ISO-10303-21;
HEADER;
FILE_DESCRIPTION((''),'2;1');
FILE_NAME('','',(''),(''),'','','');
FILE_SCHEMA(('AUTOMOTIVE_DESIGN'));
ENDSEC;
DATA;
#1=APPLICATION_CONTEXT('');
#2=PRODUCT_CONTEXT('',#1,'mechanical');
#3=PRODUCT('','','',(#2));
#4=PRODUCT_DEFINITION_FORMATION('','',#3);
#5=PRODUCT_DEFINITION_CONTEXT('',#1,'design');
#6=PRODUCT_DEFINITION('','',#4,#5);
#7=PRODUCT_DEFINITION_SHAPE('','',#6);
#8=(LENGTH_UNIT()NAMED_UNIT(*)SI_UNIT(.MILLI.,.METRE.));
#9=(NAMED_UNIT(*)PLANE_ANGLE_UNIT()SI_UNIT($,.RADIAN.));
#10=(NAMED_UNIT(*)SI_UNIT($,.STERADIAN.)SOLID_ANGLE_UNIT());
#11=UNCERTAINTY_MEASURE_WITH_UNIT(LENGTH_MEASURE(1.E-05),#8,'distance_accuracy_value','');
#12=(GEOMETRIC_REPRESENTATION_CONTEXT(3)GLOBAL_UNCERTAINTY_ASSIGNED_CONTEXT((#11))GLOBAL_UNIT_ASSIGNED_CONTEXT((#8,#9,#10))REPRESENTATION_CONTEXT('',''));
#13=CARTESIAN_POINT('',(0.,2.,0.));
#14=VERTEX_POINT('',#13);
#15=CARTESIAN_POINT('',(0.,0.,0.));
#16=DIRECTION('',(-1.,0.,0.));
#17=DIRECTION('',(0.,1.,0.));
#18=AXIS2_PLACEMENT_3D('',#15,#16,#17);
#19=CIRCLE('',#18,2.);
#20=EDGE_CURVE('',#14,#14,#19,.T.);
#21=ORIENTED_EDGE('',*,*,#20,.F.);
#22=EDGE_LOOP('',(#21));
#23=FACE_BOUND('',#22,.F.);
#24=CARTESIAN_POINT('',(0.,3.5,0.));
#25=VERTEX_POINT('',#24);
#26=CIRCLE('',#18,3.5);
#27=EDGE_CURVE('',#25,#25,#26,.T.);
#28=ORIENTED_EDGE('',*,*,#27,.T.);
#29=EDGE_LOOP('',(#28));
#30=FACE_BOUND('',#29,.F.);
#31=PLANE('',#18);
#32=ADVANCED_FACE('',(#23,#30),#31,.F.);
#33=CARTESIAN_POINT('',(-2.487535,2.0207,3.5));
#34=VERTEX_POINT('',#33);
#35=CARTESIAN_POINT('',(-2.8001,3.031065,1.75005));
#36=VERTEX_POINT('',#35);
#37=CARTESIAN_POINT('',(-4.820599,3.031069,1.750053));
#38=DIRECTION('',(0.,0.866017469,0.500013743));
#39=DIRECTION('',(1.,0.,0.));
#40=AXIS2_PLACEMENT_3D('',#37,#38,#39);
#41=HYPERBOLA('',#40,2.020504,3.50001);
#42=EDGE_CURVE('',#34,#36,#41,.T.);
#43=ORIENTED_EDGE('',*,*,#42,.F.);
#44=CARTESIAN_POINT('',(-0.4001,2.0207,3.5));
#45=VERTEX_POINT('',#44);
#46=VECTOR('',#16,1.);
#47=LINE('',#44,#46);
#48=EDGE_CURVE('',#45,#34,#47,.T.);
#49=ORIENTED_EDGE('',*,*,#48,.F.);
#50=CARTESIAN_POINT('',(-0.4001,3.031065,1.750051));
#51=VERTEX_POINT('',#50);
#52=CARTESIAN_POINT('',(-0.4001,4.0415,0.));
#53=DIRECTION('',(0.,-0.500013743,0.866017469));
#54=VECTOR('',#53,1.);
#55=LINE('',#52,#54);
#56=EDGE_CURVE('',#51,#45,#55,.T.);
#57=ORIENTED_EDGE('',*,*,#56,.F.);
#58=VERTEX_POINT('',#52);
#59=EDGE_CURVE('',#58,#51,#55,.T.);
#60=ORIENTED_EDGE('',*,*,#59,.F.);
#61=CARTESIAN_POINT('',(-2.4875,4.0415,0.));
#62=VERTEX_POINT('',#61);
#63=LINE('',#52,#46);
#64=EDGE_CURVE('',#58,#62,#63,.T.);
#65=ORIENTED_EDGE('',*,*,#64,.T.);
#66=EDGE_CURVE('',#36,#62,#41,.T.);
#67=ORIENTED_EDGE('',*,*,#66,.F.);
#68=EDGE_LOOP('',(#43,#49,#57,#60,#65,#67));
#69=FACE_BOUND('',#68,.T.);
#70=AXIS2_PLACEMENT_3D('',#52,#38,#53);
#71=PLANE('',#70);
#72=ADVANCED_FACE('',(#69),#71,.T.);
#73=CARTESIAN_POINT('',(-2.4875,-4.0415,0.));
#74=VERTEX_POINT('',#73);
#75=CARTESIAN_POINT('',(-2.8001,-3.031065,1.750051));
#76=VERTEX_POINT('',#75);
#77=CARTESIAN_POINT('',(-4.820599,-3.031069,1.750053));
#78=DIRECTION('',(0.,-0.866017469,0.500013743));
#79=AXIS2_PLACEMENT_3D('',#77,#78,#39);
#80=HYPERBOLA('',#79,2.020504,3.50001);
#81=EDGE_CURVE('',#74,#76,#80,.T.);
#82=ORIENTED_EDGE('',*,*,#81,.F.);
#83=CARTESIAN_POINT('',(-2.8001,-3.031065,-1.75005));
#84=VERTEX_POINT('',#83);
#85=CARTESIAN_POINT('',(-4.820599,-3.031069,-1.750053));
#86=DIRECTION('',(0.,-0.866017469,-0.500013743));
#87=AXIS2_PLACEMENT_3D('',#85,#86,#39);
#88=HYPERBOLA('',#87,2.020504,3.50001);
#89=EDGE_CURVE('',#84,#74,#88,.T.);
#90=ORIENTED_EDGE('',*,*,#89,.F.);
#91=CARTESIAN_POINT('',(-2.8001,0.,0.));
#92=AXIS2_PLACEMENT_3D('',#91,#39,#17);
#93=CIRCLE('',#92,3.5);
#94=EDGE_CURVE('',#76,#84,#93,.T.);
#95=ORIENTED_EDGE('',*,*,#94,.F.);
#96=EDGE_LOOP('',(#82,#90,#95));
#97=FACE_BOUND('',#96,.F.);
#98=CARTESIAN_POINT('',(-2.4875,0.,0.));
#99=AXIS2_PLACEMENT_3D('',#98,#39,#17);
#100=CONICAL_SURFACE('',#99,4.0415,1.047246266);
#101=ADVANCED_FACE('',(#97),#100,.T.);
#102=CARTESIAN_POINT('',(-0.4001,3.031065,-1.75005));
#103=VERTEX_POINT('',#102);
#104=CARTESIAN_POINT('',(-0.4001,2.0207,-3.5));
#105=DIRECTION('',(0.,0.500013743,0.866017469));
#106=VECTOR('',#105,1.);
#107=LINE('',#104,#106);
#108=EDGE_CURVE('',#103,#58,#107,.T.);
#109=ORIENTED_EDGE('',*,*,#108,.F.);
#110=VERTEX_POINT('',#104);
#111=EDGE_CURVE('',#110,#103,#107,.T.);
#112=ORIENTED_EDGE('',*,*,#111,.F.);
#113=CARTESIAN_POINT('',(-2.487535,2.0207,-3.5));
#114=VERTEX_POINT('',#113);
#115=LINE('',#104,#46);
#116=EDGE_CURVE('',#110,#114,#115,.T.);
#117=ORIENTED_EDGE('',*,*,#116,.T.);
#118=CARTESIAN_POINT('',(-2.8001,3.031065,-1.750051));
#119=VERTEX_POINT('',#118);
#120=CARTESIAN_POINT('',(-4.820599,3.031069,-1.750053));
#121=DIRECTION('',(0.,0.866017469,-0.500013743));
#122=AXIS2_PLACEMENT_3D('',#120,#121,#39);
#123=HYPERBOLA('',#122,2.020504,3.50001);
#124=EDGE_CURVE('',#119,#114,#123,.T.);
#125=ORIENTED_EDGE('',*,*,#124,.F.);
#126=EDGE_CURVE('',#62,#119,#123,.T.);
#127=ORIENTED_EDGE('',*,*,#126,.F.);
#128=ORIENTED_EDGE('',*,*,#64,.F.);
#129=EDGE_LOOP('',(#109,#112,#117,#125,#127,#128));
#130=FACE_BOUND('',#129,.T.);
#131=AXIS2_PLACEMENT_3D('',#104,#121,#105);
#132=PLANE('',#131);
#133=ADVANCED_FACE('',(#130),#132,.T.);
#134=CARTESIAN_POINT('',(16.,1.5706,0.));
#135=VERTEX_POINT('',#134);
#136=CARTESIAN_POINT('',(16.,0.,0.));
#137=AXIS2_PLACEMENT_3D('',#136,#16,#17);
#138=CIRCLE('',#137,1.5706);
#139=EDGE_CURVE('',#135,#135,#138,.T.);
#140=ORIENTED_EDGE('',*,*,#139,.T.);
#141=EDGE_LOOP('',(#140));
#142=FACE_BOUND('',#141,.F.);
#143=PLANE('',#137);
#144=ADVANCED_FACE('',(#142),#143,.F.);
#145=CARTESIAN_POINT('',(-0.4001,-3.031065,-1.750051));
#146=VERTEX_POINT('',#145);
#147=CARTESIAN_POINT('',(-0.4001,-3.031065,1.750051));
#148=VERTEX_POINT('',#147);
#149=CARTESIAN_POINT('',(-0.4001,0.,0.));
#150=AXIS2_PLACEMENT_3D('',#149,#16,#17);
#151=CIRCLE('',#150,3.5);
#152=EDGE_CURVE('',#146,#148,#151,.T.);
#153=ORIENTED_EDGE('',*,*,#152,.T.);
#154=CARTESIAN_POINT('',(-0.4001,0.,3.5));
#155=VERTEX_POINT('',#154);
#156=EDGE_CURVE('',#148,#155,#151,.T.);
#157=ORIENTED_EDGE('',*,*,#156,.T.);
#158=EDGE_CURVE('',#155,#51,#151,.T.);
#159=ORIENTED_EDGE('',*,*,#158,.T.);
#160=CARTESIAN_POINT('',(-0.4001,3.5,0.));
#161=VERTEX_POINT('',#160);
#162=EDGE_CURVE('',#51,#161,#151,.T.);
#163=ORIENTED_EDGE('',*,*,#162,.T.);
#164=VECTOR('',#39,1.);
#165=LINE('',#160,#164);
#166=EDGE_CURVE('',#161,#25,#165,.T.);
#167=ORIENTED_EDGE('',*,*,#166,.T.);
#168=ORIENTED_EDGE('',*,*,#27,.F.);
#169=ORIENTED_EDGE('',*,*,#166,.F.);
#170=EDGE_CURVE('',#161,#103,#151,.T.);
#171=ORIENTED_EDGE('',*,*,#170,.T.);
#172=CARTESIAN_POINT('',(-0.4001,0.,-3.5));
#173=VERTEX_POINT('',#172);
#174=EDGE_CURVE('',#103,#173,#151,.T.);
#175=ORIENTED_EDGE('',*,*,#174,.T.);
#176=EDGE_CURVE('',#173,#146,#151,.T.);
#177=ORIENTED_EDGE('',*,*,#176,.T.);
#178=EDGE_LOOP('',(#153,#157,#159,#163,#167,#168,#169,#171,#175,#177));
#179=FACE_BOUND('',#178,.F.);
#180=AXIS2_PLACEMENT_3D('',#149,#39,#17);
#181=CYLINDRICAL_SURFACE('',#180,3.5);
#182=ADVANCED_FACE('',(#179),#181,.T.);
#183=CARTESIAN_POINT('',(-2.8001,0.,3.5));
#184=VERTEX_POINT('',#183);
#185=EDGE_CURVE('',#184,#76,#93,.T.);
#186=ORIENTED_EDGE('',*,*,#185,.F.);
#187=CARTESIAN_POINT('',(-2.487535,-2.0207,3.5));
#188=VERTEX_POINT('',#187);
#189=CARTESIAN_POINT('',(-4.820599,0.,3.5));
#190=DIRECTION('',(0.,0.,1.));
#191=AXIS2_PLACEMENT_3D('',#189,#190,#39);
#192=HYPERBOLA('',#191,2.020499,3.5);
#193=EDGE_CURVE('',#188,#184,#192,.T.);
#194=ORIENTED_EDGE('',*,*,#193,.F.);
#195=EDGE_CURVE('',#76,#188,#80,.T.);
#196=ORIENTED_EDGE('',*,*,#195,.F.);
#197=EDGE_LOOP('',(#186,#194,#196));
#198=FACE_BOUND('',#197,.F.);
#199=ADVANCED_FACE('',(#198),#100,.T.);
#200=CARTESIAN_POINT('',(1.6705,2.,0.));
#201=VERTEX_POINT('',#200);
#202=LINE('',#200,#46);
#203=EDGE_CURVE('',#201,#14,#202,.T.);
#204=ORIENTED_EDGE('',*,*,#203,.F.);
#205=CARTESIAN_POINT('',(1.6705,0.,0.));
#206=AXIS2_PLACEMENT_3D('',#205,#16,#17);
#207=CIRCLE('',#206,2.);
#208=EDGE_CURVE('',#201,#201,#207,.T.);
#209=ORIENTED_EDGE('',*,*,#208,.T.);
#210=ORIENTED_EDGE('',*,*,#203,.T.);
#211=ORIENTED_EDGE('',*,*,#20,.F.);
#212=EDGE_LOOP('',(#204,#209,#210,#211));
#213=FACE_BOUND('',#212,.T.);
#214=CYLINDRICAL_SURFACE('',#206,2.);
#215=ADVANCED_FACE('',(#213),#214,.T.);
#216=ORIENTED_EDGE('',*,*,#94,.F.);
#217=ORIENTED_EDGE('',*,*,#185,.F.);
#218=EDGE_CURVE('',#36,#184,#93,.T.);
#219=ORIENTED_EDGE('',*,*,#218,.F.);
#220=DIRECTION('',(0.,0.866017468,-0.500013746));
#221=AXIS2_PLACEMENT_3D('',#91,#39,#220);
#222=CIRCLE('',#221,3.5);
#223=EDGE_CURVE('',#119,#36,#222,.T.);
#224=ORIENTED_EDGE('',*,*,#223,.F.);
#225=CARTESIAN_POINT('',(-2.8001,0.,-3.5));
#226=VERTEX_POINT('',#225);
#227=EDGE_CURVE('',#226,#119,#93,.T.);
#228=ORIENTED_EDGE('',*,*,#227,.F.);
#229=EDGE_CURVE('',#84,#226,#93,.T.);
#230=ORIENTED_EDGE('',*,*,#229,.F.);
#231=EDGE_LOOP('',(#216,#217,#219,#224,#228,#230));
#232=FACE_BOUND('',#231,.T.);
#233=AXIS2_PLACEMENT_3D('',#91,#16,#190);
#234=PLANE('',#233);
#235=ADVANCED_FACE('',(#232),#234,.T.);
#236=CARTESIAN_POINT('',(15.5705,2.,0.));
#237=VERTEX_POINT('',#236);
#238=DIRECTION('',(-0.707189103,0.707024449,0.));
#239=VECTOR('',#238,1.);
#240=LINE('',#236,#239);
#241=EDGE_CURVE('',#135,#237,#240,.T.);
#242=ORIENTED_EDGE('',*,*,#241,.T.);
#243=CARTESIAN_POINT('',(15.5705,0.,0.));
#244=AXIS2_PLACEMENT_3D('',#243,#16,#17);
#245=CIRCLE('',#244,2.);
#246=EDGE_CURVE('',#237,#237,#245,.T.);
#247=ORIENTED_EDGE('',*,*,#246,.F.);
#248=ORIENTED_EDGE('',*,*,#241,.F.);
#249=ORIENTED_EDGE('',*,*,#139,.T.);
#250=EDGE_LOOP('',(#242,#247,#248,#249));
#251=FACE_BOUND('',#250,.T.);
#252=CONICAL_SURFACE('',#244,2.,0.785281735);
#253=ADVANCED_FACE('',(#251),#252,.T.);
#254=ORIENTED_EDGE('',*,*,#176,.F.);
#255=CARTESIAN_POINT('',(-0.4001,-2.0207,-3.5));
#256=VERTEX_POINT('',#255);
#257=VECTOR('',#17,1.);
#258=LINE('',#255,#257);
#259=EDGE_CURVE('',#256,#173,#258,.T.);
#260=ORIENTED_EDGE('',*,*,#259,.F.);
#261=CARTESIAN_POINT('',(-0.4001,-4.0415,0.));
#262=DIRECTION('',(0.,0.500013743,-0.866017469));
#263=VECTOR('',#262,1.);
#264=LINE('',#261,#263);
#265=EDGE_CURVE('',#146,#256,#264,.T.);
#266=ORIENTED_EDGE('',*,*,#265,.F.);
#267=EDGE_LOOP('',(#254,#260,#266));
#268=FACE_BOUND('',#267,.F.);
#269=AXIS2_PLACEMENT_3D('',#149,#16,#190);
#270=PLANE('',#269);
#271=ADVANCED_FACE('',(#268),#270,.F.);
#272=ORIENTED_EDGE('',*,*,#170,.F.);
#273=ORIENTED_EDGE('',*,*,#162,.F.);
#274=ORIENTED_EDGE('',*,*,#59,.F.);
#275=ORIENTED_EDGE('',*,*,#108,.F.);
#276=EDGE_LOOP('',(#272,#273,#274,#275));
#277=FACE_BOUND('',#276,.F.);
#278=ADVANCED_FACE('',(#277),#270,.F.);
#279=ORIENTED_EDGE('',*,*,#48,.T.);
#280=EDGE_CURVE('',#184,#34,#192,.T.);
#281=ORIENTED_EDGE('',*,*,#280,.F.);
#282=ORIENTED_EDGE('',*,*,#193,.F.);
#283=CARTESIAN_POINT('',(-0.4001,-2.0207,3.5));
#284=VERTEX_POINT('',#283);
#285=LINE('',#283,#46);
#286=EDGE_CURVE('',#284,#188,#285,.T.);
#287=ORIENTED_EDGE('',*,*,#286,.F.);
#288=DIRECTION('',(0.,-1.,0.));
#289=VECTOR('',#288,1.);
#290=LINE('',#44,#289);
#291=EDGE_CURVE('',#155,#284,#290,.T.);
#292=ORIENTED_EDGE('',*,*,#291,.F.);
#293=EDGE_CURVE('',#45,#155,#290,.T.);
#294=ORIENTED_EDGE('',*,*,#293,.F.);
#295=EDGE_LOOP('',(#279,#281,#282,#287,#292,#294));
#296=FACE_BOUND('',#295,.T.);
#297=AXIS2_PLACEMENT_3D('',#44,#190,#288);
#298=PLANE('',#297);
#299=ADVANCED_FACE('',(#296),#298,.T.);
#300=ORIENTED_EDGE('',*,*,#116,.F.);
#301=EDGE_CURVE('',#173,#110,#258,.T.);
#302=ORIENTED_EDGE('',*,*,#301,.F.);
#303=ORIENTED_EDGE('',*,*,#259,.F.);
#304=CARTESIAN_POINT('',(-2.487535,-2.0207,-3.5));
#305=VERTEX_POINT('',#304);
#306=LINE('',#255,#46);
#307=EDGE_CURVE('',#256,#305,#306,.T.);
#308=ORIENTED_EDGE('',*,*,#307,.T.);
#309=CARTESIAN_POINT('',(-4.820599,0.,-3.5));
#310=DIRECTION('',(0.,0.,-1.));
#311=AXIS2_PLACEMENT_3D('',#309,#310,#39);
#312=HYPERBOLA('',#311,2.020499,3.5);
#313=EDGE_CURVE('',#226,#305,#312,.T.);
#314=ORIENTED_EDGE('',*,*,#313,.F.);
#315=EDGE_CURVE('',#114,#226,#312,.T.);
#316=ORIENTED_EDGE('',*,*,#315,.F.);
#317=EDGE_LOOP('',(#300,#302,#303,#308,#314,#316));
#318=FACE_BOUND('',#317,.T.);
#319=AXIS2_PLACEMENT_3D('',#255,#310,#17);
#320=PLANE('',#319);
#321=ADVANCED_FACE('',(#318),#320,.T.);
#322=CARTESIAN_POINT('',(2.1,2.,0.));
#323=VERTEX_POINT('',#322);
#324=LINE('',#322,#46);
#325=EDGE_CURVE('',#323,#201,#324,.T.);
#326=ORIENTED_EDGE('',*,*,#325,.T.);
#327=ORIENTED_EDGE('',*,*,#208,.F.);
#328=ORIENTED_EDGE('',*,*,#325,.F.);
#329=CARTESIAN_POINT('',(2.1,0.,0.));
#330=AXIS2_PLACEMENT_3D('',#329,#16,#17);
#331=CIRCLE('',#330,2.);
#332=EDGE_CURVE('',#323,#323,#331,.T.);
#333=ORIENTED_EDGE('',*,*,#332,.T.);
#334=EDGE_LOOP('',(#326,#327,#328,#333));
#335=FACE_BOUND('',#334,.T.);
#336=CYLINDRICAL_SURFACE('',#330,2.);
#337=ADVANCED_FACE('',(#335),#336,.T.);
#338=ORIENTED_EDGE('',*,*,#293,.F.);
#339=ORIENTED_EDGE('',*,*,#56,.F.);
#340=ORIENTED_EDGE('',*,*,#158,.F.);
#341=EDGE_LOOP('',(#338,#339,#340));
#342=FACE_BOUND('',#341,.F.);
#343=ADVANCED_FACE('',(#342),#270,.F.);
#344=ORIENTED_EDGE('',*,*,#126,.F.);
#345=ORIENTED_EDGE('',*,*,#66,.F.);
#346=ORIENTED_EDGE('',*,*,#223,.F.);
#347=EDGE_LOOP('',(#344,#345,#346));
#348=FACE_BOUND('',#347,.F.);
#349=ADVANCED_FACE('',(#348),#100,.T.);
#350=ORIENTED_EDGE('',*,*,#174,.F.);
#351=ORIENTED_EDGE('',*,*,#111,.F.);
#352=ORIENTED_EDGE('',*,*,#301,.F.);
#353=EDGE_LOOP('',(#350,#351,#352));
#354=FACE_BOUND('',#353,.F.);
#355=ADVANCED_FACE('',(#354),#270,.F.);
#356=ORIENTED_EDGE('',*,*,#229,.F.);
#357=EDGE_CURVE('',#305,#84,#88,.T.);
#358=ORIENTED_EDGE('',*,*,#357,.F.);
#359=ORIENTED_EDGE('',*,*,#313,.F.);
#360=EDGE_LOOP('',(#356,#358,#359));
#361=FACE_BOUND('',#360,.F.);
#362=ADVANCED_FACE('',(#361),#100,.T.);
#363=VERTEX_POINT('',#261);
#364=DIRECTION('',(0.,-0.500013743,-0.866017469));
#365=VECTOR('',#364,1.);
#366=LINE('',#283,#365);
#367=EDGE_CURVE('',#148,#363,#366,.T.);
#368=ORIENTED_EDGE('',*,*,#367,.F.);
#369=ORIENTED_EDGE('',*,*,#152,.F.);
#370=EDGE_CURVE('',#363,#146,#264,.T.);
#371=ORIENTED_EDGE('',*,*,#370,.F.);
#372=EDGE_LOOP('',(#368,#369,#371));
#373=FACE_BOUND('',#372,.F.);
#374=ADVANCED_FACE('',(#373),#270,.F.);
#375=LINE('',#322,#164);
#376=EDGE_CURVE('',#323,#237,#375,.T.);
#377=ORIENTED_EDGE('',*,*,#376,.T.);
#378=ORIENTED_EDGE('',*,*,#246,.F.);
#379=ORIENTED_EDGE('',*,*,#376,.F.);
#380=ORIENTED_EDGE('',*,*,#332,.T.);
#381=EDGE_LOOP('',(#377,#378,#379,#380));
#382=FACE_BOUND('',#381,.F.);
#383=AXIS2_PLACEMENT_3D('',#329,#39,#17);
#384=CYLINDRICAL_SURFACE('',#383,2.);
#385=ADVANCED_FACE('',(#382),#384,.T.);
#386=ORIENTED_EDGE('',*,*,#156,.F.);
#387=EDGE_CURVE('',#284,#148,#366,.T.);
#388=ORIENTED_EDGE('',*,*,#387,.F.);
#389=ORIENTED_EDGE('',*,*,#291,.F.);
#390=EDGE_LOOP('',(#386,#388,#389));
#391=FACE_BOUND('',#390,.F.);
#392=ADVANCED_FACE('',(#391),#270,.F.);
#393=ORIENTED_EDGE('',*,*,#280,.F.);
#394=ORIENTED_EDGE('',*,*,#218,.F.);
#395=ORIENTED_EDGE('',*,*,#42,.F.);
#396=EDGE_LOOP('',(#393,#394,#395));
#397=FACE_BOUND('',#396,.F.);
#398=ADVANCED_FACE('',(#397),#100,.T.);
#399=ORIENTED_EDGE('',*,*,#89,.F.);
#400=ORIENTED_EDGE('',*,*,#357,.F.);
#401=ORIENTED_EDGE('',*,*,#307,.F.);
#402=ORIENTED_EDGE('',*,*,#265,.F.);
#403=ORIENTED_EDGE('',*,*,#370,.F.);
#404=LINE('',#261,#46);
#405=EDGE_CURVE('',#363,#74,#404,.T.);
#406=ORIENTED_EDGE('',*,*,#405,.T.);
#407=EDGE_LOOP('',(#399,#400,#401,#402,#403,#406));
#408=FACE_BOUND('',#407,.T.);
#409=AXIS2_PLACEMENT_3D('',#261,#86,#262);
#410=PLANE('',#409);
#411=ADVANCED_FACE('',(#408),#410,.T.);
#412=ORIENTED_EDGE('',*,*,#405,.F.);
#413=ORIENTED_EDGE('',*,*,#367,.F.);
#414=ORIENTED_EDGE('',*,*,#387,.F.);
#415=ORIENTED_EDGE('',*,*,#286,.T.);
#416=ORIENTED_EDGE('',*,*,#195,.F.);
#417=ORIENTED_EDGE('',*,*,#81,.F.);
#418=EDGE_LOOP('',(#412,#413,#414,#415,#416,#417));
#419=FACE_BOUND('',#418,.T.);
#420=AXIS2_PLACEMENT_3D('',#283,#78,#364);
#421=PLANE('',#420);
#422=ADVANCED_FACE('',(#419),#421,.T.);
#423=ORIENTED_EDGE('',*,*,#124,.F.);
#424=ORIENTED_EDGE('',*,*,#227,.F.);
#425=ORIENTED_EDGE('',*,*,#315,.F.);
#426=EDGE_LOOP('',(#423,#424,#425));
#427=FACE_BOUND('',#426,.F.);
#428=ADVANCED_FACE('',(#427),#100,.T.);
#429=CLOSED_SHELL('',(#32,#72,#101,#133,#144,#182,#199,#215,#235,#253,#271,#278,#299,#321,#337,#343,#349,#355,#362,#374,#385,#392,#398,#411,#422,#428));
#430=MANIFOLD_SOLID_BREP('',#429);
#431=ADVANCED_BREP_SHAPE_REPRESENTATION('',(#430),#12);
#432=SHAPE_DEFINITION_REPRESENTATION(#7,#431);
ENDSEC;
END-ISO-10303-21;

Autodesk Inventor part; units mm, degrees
ref_plane "YZ Plane" through (0, 0, 0) normal (1, 0, 0) x (0, 1, 0)
ref_plane "XZ Plane" through (0, 0, 0) normal (0, 1, 0) x (-1, 0, 0)
sketch "Sketch1" plane through (0, 0, 0) normal (0, 0, 1) x (1, 0, 0)
  line L0 (0, 3.5) -> (0, 2)
  line L1 (2.1, 2) -> (16, 2)
  line L2 (16, 2) -> (16, 0)
  line L3 (16, 0) -> (-0.4001, 0)
  line L4 (-3.6801, 0) -> (19.28, 0) projected
  line L5 (-0.4001, 0) -> (-0.4001, 3.5)
  line L6 (-0.4001, 3.5) -> (0, 3.5)
  line L7 (2.1, 2) -> (1.6705, 2)
  line L8 (1.6705, 2) -> (0, 2)
  line L9 (0, -0.7) -> (0, 4.2) projected
  dimension "d0" = 16
  dimension "d1" = 13.9
  dimension "d2" = 4
  dimension "d9" = 0.4001
  dimension "d10" = 7
  dimension "d13" = 0.4295
  dimension "d14" = 4
revolve "Body" add sketch "Sketch1" angle 360 about axis through (16, 0, 0) along (-1, 0, 0)
sketch "Sketch2" plane through (-0.4001, 0, 0) normal (-1, 0, 0) x (0, 0, 1)
  line L0 (0, 4.0415) -> (3.5, 2.0207)
  line L1 (3.5, 2.0207) -> (3.5, -2.0207)
  line L2 (3.5, -2.0207) -> (0, -4.0415)
  line L3 (0, -4.0415) -> (-3.5, -2.0207)
  line L4 (-3.5, -2.0207) -> (-3.5, 2.0207)
  line L5 (-3.5, 2.0207) -> (0, 4.0415)
  point P0 (0, 0)
  point P1 (0, 0)
  dimension "d11" = 7
extrude "Head" add sketch "Sketch2" along normal blind 2.4
sketch "Sketch4" plane through (0, 0, 0) normal (0, 0, 1) x (1, 0, 0)
  line L0 (-2.8001, 3.5) -> (-2.8001, 4.0415)
  line L1 (-2.8001, 4.0415) -> (-2.4875, 4.0415)
  line L2 (-2.4875, 4.0415) -> (-2.8001, 3.5)
  line L3 (-3.2801, 0) -> (0.0799, 0) projected
  line L4 (-0.4001, 4.0415) -> (-2.8001, 4.0415) projected
  line L5 (-2.8001, 2.0207) -> (-2.8001, 4.0415) projected
  dimension "d5" = 30
  dimension "d19" = 7
revolve "Chamfer1" cut sketch "Sketch4" angle 360 about axis through (-10, 0, 0) along (1, 0, 0)
thread "Thread" size "M4x0.7" class "6g" standard "ISO Metric profile" length 13.9
chamfer "Chamfer2" distance 0.4294 distance2 0.4295 1 edges at (16, -2, 0) measured on face at (16, 0.6473, -0.1595)
ref_plane "Work Plane1" through (1.525, 0, 0) normal (0, 0, 1) x (1, 0, 0)
equation "\"d0\" = NLG"
equation "\"d1\" = GEL"
equation "\"d2\" = GD"
equation "\"d10\" = SD2"
equation "\"d14\" = BDM"
equation "\"d11\" = SW"
equation "\"d3\" = KOH - SD"
equation "\"d5\" = ANG1"
equation "\"d19\" = SW0"
equation "\"d15\" = GEL"
equation "\"d6\" = -0.5 * SPD + 0.5 * GD"
equation "\"NLG\" = 16"
equation "\"GD\" = NND"
equation "\"BDM\" = NND"
equation "\"KOH\" = 2.8"
equation "\"GEL\" = 13.9"
equation "\"SW\" = 7"
equation "\"SW0\" = SW"
equation "\"SPD\" = NND - 1.2269 * PTC"
equation "\"SD2\" = SW"
equation "\"SD\" = 0.4"
equation "\"ANG1\" = 30deg"
equation "\"GAL\" = 0.61345 * PTC"
equation "\"GUL\" = 0.61345 * PTC"
equation "\"RR\" = 0.2"
equation "\"WFT\" = SD"
equation "\"GD1\" = THREADDIA - 1.2269 * PTC"
equation "\"THREADDIA\" = 4"
equation "\"SDH\" = SW"
equation "\"TOA\" = 30deg"
equation "\"FAWI\" = 45deg"
equation "\"PTC\" = 0.7"
equation "\"NND\" = 4"
equation "\"E0\" = 1.155 * SW"
properties part number "AS 1110 - M4 x 16" material "Steel, Mild"
